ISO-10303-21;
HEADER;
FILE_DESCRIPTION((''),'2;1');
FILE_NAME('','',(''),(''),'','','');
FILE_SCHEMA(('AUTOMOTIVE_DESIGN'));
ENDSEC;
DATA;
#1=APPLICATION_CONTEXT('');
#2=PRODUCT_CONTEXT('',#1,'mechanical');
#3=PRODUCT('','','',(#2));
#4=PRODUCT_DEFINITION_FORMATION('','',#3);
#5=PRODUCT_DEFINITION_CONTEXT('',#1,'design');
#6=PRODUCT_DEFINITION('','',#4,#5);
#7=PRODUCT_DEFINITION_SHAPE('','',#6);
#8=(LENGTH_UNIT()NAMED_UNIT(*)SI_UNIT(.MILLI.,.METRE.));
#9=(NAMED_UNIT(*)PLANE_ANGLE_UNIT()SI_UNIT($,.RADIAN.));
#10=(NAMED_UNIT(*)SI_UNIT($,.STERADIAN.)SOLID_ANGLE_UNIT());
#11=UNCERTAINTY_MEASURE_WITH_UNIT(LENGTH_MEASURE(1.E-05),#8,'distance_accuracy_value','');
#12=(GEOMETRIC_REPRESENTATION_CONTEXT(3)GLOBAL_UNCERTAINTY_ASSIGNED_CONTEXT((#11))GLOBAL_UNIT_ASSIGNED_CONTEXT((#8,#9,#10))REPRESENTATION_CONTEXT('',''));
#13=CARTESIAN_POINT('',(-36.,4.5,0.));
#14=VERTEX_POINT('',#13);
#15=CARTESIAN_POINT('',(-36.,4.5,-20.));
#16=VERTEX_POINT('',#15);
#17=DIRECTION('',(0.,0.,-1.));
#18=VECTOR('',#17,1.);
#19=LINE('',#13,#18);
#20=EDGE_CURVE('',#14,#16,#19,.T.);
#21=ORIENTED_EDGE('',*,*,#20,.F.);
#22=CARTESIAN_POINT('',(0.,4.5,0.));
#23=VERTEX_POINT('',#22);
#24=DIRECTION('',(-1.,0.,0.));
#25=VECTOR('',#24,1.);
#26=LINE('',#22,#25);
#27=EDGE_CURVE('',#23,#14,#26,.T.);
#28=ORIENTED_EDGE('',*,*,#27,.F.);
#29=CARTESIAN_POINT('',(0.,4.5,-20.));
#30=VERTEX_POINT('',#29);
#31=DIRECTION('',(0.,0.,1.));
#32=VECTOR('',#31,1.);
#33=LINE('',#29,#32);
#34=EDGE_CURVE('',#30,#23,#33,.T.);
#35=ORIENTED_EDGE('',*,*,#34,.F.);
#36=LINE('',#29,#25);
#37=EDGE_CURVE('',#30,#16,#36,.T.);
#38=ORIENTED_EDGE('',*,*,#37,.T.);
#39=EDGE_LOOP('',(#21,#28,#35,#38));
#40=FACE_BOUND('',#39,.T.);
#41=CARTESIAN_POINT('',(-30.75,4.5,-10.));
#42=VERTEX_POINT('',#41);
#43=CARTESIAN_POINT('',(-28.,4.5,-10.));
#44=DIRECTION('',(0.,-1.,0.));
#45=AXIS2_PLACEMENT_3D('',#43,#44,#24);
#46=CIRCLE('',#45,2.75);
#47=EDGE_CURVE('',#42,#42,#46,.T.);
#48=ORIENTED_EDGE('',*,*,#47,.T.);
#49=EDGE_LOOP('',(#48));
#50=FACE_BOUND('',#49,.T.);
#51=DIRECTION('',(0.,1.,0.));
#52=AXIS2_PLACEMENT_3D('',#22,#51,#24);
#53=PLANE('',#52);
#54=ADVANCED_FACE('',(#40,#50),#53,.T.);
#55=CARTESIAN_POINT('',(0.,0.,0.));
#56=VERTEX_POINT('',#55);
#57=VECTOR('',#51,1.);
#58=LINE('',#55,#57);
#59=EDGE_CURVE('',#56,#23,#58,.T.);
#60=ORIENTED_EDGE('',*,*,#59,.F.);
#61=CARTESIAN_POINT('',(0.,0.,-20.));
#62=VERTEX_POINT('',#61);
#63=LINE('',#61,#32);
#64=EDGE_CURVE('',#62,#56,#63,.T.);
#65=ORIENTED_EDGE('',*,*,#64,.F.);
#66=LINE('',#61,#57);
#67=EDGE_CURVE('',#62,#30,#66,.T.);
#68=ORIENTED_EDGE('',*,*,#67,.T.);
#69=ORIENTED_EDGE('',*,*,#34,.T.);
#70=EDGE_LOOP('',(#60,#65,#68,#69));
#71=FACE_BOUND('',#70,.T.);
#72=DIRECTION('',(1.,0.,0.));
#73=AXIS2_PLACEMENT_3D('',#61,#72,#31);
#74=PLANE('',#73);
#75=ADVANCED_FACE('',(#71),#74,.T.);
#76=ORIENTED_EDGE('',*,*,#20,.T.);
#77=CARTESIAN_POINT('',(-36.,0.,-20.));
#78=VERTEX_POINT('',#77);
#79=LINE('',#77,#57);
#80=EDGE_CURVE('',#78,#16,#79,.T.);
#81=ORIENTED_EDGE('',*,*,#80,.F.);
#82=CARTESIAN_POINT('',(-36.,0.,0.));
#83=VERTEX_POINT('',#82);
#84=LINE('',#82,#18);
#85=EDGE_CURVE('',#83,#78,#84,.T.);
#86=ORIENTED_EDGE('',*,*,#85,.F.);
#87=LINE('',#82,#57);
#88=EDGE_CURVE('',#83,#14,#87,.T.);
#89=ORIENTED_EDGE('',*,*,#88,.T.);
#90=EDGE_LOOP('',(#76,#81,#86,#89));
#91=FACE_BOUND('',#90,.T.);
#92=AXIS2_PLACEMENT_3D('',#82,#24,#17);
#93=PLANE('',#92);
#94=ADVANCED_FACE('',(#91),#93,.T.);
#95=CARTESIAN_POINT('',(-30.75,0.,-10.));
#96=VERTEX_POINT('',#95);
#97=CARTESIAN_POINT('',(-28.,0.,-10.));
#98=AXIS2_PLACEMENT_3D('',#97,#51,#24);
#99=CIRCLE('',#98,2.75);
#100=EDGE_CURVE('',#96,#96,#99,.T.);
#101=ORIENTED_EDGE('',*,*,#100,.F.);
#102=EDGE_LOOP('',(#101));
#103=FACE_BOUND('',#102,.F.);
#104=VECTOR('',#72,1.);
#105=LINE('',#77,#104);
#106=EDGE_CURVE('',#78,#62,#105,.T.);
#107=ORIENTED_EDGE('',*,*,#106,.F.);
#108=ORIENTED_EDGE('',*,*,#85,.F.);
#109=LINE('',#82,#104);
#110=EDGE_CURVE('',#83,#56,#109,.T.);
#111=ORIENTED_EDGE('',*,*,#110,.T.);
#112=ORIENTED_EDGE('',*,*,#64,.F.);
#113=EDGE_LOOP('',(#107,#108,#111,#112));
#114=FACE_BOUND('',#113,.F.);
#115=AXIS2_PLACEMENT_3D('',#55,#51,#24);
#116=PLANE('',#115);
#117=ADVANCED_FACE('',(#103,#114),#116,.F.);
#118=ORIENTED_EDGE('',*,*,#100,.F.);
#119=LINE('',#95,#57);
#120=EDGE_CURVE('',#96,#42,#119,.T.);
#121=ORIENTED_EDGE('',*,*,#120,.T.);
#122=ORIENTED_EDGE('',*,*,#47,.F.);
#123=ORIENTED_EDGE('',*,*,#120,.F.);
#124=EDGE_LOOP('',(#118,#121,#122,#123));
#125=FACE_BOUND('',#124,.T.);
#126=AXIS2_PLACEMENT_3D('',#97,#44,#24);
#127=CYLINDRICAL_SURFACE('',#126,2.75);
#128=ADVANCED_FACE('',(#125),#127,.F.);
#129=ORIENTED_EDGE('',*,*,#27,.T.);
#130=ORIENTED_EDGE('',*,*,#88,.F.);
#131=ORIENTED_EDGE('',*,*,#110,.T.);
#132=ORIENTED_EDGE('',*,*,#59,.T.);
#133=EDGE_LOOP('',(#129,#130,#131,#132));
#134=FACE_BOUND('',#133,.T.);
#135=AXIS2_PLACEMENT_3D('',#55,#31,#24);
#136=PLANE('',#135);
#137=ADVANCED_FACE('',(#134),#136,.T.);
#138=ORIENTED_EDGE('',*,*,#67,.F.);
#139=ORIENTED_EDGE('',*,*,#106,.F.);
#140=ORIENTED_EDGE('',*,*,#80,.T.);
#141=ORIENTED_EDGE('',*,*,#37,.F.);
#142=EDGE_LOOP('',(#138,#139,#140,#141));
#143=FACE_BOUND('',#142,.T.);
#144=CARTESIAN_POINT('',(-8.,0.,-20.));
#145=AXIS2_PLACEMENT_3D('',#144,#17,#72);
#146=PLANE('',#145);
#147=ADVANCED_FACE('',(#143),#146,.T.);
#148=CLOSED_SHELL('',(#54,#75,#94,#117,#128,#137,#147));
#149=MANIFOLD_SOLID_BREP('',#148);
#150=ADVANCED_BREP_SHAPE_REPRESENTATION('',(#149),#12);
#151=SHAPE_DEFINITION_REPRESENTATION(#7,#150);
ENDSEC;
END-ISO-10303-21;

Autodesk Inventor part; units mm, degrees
ref_plane "YZ Plane" through (0, 0, 0) normal (1, 0, 0) x (0, 1, 0)
ref_plane "XZ Plane" through (0, 0, 0) normal (0, 1, 0) x (-1, 0, 0)
ref_plane "XY Plane" through (0, 0, 0) normal (0, 0, 1) x (1, 0, 0)
sketch "Sketch1" plane through (0, 0, 0) normal (0, 1, 0) x (-1, 0, 0)
  line L0 (0, 0) -> (36, 0)
  line L1 (36, 0) -> (36, -20)
  line L2 (36, -20) -> (0, -20)
  line L3 (0, -20) -> (0, 0)
  line L4 (36, -20) -> (28, -20)
  line L5 (0, -20) -> (8, -20)
  line L6 (28, -20) -> (28, 0)
  circle A0 centre (28, -10) radius 2.75
  dimension "d0" = 36
  dimension "d1" = 20
  dimension "d2" = 8
  dimension "d3" = 8
  dimension "d4" = 5.5
extrude "Extrusion1" add sketch "Sketch1" along normal blind 4.5 contours L0 L6 A0 L2 L3 | L0 L1 L2 L6 A0
properties part number "cable_retainer"
